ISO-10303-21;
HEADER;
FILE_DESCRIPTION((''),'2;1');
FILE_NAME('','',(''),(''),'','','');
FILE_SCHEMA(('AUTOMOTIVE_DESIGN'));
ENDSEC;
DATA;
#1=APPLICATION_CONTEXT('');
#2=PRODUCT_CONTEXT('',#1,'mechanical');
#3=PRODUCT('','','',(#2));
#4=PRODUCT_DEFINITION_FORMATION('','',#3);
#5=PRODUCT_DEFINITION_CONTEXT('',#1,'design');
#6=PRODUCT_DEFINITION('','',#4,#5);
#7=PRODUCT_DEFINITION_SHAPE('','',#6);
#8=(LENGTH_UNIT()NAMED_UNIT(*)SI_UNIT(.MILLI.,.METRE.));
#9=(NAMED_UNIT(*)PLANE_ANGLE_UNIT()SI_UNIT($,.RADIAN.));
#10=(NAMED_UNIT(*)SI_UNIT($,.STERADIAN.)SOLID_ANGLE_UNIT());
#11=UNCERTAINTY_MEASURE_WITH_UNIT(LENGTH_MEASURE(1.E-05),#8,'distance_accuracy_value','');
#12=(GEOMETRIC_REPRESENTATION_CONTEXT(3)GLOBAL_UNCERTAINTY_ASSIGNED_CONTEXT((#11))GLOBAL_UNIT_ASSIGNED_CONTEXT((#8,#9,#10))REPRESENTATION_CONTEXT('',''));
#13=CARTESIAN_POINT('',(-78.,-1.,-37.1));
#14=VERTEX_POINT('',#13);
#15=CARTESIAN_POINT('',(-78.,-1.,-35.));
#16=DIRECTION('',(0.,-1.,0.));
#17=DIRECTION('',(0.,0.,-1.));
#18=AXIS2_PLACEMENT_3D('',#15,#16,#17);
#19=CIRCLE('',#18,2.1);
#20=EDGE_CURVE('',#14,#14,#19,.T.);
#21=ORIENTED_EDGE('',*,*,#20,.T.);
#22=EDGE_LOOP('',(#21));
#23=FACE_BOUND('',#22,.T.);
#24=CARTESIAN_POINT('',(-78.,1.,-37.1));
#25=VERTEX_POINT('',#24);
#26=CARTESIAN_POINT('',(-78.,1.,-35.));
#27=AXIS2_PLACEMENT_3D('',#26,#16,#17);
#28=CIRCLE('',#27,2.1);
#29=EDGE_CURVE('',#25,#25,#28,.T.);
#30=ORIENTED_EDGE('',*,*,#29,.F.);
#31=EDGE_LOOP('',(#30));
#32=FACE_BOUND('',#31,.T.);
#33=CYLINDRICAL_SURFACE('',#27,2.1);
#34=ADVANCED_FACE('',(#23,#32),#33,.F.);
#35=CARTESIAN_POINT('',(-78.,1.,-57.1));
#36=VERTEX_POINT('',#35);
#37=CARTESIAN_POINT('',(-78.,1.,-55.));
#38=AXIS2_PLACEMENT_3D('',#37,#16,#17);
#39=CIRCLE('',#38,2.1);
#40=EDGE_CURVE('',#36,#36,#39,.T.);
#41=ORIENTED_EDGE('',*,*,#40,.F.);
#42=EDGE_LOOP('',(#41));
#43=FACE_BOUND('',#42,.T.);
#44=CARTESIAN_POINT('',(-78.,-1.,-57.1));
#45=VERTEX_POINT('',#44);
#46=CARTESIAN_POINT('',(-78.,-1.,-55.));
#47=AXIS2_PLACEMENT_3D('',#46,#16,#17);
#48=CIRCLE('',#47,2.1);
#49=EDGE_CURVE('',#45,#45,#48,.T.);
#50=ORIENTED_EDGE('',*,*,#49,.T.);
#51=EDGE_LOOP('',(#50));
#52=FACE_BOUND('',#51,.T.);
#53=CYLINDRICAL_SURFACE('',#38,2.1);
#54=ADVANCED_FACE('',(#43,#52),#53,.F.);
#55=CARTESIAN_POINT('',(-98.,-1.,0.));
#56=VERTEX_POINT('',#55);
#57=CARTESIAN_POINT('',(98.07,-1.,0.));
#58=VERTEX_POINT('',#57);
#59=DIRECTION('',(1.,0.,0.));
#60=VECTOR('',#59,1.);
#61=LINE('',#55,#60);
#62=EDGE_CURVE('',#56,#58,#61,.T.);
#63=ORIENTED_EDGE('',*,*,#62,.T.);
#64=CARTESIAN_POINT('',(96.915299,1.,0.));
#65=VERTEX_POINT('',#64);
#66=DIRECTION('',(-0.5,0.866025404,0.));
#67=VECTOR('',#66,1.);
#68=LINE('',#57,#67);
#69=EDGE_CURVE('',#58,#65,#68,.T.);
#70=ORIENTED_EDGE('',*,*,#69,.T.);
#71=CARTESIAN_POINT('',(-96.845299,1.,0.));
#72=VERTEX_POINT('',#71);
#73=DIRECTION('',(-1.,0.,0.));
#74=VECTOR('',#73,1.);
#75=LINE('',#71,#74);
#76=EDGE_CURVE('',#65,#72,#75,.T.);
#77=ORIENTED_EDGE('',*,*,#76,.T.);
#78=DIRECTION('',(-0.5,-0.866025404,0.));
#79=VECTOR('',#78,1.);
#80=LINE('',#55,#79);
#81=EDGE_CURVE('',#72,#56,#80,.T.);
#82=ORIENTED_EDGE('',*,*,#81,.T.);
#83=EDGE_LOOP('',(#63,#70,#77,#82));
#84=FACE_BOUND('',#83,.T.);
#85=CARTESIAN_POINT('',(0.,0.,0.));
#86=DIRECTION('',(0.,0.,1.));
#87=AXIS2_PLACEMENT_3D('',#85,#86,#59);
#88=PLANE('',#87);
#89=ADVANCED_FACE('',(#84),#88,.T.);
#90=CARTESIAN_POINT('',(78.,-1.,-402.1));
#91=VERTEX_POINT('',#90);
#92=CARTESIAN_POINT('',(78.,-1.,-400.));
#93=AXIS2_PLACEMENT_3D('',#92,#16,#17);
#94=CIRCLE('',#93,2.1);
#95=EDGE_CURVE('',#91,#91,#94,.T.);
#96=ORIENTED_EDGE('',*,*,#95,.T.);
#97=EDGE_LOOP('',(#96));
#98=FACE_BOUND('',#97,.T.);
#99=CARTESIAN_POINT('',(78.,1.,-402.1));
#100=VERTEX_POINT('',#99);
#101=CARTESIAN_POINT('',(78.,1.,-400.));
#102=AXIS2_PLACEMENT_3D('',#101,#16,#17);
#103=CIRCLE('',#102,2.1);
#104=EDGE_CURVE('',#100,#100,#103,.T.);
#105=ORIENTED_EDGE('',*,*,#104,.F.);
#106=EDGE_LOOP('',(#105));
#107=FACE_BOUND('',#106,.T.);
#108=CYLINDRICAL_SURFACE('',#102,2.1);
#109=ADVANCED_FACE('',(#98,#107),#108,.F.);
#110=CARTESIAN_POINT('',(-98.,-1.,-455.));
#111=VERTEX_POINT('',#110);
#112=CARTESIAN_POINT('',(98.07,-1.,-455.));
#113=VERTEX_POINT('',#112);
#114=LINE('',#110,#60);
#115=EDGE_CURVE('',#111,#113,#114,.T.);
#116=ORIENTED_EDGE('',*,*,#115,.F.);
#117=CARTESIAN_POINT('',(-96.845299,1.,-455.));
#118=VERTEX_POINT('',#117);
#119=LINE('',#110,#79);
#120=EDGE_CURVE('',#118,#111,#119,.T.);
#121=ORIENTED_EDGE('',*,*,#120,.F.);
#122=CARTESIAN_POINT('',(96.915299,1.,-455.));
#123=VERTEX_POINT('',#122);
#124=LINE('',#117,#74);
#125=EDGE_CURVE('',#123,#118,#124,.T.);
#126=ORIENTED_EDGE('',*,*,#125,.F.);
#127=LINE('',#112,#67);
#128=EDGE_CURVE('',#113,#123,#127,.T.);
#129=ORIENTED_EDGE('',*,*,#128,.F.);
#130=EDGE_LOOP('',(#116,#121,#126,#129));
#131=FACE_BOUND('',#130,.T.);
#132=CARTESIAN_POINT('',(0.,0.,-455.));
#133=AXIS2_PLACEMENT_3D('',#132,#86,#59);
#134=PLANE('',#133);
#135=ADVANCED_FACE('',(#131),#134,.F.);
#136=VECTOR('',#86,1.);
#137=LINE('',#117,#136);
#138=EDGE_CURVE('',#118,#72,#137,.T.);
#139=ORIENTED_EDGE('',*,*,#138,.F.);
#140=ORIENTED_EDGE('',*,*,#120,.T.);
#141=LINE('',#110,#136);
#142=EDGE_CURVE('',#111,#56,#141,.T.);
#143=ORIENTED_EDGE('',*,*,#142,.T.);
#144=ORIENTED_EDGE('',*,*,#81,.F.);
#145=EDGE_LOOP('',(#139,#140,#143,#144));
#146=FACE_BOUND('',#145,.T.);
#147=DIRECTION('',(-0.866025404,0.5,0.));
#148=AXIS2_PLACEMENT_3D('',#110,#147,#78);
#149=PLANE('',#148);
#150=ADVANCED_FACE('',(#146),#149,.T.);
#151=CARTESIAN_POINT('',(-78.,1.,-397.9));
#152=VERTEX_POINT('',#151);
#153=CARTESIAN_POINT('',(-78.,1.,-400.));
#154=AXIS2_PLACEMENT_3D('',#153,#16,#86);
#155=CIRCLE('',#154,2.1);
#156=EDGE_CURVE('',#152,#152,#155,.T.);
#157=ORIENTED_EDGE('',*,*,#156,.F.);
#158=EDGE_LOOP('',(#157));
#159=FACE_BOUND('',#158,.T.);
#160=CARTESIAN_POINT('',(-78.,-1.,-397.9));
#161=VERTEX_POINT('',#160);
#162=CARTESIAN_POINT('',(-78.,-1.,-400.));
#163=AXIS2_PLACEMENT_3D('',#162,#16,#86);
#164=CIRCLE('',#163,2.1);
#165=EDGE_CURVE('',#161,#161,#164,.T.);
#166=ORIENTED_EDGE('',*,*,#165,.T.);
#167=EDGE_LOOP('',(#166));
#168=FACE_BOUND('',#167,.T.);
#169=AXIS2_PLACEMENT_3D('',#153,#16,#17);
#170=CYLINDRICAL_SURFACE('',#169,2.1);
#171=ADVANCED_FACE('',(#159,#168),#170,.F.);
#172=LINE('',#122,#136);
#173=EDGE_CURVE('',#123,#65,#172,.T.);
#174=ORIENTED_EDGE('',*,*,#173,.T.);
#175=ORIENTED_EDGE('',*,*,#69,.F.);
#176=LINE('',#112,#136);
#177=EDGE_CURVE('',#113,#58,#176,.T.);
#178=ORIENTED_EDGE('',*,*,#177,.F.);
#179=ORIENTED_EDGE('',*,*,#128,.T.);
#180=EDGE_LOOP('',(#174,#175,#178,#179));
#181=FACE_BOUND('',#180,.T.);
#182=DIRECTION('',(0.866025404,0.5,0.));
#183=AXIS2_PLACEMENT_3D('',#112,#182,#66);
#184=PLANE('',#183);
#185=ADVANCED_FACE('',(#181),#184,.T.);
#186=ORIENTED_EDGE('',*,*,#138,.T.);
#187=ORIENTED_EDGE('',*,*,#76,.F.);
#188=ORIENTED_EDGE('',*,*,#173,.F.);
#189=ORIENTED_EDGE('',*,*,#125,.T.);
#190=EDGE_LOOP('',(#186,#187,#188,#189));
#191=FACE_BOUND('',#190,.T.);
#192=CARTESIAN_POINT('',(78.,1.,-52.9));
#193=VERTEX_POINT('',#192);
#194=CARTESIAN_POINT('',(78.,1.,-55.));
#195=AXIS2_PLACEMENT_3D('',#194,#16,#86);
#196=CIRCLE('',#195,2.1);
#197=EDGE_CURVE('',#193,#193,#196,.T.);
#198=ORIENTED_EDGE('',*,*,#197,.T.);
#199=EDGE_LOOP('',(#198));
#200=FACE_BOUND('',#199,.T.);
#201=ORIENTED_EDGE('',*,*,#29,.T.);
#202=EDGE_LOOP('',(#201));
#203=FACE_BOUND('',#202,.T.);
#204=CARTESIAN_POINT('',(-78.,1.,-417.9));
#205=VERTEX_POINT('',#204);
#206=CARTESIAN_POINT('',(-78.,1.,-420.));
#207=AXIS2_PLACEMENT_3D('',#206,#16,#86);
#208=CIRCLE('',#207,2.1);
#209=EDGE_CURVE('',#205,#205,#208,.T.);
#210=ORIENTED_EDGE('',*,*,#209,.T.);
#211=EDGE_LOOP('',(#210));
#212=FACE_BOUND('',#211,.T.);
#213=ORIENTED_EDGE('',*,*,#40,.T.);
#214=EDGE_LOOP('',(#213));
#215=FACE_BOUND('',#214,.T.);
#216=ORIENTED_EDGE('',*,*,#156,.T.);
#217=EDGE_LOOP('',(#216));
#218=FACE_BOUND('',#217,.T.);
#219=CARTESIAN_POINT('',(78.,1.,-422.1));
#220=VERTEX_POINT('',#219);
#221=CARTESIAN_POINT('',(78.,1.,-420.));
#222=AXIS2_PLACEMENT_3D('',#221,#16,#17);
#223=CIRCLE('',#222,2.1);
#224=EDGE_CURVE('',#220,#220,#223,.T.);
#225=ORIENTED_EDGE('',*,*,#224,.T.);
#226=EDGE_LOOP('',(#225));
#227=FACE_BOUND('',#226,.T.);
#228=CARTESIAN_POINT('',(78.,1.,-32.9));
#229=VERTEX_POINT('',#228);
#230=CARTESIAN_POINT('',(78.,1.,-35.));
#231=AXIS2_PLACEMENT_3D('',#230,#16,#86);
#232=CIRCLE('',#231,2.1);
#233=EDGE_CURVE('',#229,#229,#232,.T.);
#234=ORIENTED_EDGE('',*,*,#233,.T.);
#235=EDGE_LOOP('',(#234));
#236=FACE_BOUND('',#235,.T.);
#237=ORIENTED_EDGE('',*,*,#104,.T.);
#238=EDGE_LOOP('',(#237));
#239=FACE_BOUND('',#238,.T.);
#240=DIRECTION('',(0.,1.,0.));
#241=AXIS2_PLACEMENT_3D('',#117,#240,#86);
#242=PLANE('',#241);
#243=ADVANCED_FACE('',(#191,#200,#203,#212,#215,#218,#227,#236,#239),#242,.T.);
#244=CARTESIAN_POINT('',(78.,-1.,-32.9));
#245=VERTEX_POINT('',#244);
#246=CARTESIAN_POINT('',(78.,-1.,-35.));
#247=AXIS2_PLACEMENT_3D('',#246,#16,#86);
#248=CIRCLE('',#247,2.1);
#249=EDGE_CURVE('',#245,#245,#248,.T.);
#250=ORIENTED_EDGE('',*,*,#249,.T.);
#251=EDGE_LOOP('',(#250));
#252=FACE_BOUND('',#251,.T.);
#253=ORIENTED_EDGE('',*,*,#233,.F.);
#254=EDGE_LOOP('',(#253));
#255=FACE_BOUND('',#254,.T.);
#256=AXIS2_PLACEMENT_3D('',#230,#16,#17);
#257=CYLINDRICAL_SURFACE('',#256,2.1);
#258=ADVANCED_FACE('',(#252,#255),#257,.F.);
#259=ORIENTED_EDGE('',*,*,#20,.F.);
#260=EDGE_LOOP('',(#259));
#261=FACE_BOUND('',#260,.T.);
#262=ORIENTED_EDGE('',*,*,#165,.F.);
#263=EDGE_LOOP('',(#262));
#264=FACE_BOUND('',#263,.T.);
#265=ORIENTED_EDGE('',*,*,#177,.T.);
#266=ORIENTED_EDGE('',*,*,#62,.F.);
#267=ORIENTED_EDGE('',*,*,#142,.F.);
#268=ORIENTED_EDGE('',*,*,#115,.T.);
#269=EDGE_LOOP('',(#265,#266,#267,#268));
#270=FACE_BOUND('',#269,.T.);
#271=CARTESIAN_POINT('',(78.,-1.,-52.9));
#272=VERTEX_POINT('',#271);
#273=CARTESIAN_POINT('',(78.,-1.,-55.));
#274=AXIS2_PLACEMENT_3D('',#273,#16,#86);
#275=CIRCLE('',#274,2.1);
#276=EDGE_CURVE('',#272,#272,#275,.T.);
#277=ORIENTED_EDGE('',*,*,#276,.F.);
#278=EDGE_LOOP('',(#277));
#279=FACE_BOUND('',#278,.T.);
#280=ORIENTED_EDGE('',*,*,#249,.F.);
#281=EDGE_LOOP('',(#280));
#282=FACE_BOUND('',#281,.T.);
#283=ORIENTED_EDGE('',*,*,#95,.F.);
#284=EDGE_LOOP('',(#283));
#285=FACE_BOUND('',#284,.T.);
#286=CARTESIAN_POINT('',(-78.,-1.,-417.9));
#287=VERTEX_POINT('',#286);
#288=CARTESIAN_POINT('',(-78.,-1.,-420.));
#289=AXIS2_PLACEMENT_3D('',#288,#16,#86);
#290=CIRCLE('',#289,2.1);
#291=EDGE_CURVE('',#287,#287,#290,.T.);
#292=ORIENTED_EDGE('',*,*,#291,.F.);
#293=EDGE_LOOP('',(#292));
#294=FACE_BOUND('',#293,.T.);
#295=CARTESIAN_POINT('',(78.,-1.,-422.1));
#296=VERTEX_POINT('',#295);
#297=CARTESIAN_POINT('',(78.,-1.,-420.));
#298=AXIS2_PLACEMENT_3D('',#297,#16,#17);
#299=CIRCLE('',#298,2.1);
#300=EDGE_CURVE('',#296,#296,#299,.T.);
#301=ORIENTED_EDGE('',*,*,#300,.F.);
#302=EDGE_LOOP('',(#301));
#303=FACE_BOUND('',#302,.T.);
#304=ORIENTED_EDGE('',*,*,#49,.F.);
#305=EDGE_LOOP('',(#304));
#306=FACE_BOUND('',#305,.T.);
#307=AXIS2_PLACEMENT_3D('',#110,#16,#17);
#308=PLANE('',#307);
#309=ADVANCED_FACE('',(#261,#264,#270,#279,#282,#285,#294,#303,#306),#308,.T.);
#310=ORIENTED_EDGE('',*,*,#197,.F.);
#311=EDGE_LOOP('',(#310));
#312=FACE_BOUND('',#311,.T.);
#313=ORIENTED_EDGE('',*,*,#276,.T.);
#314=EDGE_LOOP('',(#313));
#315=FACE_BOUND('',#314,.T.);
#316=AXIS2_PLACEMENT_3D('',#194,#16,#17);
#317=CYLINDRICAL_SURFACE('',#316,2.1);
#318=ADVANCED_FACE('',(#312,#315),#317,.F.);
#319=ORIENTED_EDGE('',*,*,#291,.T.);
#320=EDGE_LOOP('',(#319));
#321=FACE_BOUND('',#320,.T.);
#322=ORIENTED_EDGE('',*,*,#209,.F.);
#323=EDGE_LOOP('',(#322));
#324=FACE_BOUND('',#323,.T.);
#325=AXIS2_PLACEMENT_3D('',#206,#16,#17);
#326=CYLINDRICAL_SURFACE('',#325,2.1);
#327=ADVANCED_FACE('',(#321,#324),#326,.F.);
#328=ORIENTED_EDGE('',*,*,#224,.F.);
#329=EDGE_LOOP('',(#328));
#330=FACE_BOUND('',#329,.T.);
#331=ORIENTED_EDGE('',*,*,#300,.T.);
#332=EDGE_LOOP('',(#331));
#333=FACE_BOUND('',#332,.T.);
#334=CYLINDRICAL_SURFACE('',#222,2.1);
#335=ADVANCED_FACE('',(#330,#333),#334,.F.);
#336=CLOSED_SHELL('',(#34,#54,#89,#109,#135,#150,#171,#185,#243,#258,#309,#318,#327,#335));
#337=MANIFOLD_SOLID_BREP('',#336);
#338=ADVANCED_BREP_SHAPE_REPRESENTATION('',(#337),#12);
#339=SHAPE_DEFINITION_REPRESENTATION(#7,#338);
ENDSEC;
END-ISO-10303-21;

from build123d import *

# Parameters (mm, degrees)
EXTRUDE_1_DEPTH     = 455
SKETCH_3_R          = 2.1
CUT_EXTRUDE_1_DEPTH = 466.453246739


with BuildPart() as part:
    # 草图2 → 凸台-拉伸1 (new body)
    with BuildSketch(Plane.XY):
        Polygon((-98, -1), (-96.845299462, 1), (96.915299462, 1), (98.07, -1), align=None)
    extrude(amount=-EXTRUDE_1_DEPTH)

    # 草图3 → 切除-拉伸1 (cut, through all)
    with BuildSketch(Plane(origin=(0, -1, 0), x_dir=(-1, 0, 0), z_dir=(0, -1, 0))):
        with Locations(Location((78, 35, 0), (0, 0, 90))):
            Circle(SKETCH_3_R)
        with Locations(Location((78, 55, 0), (0, 0, 90))):
            Circle(SKETCH_3_R)
        with Locations(Location((-78, 55, 0), (0, 0, 270))):
            Circle(SKETCH_3_R)
        with Locations(Location((-78, 35, 0), (0, 0, 270))):
            Circle(SKETCH_3_R)
        with Locations(Location((-78, 420, 0), (0, 0, 90))):
            Circle(SKETCH_3_R)
        with Locations(Location((-78, 400, 0), (0, 0, 90))):
            Circle(SKETCH_3_R)
        with Locations(Location((78, 400, 0), (0, 0, 270))):
            Circle(SKETCH_3_R)
        with Locations(Location((78, 420, 0), (0, 0, 270))):
            Circle(SKETCH_3_R)
    extrude(amount=-CUT_EXTRUDE_1_DEPTH, mode=Mode.SUBTRACT)


solid = part.part
